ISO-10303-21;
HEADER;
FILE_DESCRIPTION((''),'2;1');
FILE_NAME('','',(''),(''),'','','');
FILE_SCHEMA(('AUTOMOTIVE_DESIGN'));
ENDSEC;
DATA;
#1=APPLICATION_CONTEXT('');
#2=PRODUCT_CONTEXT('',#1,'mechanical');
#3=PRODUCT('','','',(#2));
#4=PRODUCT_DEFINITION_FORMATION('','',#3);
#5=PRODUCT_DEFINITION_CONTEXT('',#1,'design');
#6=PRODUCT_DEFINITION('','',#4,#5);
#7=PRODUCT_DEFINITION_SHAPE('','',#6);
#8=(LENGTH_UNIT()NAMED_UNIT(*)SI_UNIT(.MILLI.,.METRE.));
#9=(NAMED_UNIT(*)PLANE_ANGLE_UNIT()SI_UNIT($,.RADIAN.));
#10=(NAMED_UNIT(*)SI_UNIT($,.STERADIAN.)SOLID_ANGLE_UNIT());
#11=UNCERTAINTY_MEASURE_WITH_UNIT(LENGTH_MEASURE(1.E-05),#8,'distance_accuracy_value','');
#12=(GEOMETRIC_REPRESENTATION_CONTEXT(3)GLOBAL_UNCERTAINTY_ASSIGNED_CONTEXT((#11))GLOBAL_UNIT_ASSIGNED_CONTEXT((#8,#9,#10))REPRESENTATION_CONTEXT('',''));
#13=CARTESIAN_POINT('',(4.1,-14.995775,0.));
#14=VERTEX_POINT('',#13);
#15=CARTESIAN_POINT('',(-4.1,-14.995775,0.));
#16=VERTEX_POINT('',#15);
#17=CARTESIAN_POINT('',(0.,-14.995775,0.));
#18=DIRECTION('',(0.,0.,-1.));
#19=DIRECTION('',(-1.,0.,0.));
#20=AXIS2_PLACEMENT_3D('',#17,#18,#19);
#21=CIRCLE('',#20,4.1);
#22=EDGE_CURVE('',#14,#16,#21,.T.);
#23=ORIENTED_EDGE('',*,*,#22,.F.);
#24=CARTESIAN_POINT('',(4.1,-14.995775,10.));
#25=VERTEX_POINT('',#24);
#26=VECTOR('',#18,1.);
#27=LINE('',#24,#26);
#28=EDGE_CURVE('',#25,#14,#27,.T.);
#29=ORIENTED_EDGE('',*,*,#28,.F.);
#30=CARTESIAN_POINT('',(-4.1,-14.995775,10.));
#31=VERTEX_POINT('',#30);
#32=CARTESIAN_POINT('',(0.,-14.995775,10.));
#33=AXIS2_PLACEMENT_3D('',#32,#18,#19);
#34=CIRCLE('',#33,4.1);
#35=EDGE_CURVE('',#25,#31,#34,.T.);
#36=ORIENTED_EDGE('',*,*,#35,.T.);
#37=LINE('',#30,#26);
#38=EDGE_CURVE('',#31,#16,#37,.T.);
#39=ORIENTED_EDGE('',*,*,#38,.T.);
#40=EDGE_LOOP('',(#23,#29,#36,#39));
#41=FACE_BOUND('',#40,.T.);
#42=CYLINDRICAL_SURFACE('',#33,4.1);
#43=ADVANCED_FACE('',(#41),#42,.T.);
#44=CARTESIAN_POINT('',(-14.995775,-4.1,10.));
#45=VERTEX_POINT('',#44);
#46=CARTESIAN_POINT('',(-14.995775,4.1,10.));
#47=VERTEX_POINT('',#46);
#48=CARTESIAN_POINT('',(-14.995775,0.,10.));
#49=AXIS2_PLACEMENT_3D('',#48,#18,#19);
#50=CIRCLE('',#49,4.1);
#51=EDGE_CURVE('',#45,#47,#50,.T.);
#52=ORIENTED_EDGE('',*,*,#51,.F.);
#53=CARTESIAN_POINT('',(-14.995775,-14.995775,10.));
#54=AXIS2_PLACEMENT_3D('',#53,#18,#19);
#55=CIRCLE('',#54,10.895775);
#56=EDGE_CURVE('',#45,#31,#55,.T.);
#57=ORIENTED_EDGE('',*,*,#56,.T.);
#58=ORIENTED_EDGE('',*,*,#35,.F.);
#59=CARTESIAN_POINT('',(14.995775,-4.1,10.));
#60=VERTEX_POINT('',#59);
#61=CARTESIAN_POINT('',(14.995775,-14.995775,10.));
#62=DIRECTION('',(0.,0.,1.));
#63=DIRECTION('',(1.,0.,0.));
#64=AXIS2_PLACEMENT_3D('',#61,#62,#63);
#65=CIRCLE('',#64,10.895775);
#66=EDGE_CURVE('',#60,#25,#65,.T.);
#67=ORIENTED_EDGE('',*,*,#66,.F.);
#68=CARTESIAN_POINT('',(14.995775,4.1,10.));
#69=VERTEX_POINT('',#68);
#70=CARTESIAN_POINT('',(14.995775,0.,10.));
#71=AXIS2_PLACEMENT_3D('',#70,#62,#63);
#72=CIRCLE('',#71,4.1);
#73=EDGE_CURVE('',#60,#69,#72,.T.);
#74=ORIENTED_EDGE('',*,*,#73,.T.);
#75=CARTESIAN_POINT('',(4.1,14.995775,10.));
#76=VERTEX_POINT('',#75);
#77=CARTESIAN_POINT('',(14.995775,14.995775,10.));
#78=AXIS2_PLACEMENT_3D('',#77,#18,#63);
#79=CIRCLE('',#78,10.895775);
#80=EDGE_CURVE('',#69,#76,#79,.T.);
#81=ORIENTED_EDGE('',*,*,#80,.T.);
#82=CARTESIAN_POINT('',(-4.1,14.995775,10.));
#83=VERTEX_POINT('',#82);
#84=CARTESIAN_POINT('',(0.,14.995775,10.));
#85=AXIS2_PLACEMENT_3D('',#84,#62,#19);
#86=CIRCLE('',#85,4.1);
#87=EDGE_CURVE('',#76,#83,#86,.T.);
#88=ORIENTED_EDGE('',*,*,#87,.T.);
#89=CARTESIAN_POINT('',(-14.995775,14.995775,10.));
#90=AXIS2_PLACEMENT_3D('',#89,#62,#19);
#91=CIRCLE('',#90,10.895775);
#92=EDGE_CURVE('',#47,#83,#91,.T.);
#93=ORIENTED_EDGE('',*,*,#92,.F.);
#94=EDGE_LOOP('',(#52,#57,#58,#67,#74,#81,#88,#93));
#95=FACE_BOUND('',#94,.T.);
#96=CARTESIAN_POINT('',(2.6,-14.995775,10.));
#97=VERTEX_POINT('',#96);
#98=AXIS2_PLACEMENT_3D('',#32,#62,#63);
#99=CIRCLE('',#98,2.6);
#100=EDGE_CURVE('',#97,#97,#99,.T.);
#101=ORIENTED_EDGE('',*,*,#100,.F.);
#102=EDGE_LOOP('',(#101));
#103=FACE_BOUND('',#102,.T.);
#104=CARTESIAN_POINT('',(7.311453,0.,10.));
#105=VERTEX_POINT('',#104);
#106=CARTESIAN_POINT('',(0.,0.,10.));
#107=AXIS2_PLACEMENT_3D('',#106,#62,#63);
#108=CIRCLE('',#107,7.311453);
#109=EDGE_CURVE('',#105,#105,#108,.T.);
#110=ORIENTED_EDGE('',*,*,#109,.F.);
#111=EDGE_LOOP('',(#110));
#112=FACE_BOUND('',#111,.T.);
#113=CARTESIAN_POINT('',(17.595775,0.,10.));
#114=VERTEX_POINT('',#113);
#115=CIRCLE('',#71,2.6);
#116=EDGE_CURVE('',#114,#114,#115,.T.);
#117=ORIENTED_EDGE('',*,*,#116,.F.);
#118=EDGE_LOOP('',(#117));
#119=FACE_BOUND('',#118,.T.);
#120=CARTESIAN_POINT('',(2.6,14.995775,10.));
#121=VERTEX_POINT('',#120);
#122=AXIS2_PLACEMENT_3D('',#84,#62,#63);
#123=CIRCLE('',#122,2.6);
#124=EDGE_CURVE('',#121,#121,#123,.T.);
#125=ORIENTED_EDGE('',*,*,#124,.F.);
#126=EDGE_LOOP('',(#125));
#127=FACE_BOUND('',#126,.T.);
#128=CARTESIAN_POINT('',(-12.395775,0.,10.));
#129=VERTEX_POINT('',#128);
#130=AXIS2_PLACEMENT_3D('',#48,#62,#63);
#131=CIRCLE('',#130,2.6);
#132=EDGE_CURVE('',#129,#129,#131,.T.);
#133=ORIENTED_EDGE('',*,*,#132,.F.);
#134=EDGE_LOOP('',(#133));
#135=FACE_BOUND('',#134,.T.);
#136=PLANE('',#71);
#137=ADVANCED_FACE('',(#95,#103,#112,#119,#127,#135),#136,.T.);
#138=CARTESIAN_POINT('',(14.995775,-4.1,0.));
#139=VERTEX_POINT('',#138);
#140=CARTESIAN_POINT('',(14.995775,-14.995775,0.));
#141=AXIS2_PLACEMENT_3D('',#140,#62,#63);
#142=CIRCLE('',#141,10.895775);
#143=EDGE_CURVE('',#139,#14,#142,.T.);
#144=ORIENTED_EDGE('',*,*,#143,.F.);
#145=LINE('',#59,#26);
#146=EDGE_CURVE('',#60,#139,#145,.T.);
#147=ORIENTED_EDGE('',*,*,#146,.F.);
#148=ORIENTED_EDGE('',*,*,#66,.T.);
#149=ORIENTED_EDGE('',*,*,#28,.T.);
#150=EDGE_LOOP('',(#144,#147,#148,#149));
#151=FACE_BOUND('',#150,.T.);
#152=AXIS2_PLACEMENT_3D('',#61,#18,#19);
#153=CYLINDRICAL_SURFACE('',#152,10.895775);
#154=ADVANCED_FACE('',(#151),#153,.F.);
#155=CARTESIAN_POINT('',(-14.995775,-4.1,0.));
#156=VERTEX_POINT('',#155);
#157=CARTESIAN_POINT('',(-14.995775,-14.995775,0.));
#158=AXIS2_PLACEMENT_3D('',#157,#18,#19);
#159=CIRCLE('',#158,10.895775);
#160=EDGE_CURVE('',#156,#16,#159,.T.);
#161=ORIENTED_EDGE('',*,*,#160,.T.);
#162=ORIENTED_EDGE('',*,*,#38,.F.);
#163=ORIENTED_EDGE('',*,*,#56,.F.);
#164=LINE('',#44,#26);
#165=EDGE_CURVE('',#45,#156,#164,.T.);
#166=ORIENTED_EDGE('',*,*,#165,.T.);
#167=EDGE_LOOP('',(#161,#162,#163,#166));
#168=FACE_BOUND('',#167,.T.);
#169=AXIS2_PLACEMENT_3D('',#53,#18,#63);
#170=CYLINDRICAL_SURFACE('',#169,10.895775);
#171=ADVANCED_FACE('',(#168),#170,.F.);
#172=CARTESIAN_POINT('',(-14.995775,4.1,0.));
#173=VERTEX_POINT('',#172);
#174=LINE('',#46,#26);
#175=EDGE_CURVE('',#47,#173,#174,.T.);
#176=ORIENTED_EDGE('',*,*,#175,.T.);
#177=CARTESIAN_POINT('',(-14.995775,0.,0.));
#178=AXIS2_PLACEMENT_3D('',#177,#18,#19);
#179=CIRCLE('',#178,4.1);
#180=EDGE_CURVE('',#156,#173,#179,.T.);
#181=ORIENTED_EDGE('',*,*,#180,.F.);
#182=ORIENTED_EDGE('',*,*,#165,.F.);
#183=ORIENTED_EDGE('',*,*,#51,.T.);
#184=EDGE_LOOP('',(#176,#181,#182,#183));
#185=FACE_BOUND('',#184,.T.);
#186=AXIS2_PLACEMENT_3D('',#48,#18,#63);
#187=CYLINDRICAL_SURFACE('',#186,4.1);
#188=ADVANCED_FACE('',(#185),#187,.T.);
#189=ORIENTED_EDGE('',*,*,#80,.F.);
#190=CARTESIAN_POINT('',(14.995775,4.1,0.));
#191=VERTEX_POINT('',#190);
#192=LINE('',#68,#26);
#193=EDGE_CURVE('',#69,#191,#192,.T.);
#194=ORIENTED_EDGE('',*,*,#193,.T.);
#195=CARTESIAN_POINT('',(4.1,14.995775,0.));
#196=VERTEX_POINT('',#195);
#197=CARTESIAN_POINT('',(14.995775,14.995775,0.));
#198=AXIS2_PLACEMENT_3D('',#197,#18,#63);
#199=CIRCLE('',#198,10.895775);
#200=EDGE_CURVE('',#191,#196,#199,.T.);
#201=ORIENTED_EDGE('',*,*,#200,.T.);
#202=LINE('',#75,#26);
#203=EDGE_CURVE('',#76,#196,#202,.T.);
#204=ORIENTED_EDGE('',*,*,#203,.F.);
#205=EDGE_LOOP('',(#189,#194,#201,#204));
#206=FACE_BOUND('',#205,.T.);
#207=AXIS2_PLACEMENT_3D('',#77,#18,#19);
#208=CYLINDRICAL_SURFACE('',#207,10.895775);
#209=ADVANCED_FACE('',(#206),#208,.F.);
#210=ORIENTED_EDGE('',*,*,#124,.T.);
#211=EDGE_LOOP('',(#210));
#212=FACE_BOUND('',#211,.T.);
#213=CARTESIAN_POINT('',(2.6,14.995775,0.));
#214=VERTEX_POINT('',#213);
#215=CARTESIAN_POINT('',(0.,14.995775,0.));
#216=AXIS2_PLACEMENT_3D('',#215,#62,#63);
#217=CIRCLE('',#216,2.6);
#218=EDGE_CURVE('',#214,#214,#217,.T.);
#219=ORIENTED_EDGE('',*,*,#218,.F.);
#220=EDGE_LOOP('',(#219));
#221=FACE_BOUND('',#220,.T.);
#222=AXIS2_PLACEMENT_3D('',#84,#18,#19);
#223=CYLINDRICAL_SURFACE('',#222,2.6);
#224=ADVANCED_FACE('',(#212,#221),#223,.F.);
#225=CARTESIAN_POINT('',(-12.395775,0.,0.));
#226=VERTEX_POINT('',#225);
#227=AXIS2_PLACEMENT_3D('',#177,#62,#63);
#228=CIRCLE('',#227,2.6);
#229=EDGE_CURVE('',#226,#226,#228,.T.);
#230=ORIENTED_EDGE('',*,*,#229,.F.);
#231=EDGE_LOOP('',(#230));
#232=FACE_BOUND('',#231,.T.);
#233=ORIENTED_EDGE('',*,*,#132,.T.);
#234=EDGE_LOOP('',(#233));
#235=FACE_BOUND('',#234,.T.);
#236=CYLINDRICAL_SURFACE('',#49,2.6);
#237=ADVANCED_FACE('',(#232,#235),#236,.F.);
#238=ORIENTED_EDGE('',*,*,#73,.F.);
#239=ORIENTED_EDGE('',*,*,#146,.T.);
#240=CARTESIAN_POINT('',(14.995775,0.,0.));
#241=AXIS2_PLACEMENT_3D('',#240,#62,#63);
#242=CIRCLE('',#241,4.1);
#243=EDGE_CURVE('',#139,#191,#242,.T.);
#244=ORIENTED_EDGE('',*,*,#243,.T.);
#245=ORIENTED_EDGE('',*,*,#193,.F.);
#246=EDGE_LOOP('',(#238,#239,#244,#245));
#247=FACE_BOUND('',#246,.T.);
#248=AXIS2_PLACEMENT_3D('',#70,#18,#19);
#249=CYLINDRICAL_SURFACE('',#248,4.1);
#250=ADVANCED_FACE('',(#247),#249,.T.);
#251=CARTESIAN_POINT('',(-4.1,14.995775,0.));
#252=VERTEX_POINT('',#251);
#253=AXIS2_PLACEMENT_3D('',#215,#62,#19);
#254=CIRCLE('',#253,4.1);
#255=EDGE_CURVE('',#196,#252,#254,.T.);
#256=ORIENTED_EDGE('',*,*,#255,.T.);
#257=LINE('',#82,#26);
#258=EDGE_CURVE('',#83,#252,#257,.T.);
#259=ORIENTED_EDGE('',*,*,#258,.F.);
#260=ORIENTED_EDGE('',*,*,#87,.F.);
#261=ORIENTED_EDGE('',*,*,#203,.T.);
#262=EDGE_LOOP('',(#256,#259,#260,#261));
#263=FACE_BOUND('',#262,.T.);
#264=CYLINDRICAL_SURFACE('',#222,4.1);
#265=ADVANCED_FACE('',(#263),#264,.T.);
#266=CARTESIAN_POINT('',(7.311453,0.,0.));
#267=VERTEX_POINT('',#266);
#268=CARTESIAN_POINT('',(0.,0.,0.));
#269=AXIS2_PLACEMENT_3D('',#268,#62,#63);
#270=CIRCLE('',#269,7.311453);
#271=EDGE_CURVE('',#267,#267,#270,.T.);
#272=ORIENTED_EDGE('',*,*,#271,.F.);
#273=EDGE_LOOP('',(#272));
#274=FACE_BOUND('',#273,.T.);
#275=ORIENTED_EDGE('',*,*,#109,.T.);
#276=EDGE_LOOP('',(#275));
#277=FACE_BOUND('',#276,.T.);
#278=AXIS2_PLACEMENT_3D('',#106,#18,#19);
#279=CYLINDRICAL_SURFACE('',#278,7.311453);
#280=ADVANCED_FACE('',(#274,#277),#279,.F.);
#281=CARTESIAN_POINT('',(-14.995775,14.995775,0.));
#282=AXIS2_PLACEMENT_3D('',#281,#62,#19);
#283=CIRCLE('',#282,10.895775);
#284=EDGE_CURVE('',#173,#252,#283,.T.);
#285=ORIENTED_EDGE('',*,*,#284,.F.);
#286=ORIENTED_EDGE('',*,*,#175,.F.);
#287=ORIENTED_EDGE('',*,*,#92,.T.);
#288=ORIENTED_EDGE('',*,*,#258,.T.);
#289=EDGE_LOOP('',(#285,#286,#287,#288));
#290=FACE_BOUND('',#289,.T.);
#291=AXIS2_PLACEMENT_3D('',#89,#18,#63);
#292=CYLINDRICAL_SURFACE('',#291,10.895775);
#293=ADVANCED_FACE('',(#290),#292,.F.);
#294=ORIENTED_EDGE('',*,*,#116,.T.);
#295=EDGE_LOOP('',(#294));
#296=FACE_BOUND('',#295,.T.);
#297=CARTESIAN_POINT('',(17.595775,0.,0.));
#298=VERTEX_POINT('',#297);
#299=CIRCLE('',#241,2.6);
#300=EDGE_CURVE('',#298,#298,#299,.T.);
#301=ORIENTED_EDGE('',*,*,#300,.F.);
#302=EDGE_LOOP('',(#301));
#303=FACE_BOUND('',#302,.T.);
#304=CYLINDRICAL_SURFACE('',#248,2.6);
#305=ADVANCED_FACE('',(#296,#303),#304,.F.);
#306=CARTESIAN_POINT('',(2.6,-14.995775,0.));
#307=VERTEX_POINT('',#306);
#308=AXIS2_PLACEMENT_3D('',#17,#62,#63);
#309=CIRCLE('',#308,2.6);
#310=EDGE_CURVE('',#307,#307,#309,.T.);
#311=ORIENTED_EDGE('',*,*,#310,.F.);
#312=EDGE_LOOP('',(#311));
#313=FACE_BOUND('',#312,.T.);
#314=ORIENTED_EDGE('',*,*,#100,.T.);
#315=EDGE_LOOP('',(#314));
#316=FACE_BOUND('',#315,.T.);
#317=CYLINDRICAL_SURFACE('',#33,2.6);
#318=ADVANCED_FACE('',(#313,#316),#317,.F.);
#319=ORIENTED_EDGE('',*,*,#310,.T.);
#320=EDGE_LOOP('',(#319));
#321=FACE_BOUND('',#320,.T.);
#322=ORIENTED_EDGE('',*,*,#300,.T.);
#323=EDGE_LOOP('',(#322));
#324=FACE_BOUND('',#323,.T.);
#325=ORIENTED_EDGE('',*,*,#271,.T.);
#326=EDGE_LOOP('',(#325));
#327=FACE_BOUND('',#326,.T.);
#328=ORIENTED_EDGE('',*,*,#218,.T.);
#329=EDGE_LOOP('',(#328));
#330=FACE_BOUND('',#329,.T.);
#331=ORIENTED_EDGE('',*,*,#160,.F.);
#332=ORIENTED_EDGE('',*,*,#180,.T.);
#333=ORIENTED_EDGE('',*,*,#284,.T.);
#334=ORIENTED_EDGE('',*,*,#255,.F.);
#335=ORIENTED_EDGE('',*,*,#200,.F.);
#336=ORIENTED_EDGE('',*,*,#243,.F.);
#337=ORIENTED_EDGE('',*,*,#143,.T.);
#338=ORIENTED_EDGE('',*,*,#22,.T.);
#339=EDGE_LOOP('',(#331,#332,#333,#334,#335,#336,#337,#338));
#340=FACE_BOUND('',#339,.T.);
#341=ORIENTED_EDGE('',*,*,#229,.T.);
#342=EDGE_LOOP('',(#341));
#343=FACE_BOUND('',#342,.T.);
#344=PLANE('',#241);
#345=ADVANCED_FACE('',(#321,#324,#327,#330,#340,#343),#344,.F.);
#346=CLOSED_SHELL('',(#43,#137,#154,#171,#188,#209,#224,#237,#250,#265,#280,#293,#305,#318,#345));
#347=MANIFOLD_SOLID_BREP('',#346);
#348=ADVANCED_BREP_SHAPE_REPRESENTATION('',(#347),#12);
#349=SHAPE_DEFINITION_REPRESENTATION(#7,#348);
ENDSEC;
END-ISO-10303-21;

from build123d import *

# Parameters (mm, degrees)
AUFSATZ_LINEAR_AUSTRAGEN1_DEPTH = 10
SKIZZE2_R                       = 2.6
SCHNITT_LINEAR_AUSTRAGEN2_DEPTH = 10
SKIZZE3_R                       = 7.311453451
SCHNITT_LINEAR_AUSTRAGEN4_DEPTH = 10


with BuildPart() as part:
    # Skizze1 → Aufsatz-Linear austragen1 (new body)
    with BuildSketch(Plane.XY):
        with BuildLine():
            Line((0, 19.095775163), (0, 0))
            Line((0, 0), (19.095775163, 0))
            ThreePointArc((19.095775163, 0), (17.894912966, 2.899137803), (14.995775163, 4.1))
            ThreePointArc((14.995775163, 4.1), (7.291298659, 7.291298659), (4.1, 14.995775163))
            ThreePointArc((4.1, 14.995775163), (2.899137803, 17.894912966), (0, 19.095775163))
        make_face()
    extrude(amount=AUFSATZ_LINEAR_AUSTRAGEN1_DEPTH)

    # Spiegeln1: part across plane


with BuildPart() as part_1:
    add(part.part)
    add(part.part.mirror(Plane.ZX))

    # Spiegeln2: part across plane


with BuildPart() as part_2:
    add(part_1.part)
    add(part_1.part.mirror(Plane(origin=(0, 0, 0), x_dir=(0, 0, 1), z_dir=(1, 0, 0))))

    # Skizze2 → Schnitt-Linear austragen2 (cut)
    with BuildSketch(Plane.XY):
        with Locations((0, 14.995775163)):
            Circle(SKIZZE2_R)
        with Locations((14.995775163, 0)):
            Circle(SKIZZE2_R)
        with Locations((0, -14.995775163)):
            Circle(SKIZZE2_R)
        with Locations((-14.995775163, 0)):
            Circle(SKIZZE2_R)
    extrude(amount=SCHNITT_LINEAR_AUSTRAGEN2_DEPTH, mode=Mode.SUBTRACT)

    # Skizze3 → Schnitt-Linear austragen4 (cut)
    with BuildSketch(Plane.XY):
        Circle(SKIZZE3_R)
    extrude(amount=SCHNITT_LINEAR_AUSTRAGEN4_DEPTH, mode=Mode.SUBTRACT)


solid = part_2.part
